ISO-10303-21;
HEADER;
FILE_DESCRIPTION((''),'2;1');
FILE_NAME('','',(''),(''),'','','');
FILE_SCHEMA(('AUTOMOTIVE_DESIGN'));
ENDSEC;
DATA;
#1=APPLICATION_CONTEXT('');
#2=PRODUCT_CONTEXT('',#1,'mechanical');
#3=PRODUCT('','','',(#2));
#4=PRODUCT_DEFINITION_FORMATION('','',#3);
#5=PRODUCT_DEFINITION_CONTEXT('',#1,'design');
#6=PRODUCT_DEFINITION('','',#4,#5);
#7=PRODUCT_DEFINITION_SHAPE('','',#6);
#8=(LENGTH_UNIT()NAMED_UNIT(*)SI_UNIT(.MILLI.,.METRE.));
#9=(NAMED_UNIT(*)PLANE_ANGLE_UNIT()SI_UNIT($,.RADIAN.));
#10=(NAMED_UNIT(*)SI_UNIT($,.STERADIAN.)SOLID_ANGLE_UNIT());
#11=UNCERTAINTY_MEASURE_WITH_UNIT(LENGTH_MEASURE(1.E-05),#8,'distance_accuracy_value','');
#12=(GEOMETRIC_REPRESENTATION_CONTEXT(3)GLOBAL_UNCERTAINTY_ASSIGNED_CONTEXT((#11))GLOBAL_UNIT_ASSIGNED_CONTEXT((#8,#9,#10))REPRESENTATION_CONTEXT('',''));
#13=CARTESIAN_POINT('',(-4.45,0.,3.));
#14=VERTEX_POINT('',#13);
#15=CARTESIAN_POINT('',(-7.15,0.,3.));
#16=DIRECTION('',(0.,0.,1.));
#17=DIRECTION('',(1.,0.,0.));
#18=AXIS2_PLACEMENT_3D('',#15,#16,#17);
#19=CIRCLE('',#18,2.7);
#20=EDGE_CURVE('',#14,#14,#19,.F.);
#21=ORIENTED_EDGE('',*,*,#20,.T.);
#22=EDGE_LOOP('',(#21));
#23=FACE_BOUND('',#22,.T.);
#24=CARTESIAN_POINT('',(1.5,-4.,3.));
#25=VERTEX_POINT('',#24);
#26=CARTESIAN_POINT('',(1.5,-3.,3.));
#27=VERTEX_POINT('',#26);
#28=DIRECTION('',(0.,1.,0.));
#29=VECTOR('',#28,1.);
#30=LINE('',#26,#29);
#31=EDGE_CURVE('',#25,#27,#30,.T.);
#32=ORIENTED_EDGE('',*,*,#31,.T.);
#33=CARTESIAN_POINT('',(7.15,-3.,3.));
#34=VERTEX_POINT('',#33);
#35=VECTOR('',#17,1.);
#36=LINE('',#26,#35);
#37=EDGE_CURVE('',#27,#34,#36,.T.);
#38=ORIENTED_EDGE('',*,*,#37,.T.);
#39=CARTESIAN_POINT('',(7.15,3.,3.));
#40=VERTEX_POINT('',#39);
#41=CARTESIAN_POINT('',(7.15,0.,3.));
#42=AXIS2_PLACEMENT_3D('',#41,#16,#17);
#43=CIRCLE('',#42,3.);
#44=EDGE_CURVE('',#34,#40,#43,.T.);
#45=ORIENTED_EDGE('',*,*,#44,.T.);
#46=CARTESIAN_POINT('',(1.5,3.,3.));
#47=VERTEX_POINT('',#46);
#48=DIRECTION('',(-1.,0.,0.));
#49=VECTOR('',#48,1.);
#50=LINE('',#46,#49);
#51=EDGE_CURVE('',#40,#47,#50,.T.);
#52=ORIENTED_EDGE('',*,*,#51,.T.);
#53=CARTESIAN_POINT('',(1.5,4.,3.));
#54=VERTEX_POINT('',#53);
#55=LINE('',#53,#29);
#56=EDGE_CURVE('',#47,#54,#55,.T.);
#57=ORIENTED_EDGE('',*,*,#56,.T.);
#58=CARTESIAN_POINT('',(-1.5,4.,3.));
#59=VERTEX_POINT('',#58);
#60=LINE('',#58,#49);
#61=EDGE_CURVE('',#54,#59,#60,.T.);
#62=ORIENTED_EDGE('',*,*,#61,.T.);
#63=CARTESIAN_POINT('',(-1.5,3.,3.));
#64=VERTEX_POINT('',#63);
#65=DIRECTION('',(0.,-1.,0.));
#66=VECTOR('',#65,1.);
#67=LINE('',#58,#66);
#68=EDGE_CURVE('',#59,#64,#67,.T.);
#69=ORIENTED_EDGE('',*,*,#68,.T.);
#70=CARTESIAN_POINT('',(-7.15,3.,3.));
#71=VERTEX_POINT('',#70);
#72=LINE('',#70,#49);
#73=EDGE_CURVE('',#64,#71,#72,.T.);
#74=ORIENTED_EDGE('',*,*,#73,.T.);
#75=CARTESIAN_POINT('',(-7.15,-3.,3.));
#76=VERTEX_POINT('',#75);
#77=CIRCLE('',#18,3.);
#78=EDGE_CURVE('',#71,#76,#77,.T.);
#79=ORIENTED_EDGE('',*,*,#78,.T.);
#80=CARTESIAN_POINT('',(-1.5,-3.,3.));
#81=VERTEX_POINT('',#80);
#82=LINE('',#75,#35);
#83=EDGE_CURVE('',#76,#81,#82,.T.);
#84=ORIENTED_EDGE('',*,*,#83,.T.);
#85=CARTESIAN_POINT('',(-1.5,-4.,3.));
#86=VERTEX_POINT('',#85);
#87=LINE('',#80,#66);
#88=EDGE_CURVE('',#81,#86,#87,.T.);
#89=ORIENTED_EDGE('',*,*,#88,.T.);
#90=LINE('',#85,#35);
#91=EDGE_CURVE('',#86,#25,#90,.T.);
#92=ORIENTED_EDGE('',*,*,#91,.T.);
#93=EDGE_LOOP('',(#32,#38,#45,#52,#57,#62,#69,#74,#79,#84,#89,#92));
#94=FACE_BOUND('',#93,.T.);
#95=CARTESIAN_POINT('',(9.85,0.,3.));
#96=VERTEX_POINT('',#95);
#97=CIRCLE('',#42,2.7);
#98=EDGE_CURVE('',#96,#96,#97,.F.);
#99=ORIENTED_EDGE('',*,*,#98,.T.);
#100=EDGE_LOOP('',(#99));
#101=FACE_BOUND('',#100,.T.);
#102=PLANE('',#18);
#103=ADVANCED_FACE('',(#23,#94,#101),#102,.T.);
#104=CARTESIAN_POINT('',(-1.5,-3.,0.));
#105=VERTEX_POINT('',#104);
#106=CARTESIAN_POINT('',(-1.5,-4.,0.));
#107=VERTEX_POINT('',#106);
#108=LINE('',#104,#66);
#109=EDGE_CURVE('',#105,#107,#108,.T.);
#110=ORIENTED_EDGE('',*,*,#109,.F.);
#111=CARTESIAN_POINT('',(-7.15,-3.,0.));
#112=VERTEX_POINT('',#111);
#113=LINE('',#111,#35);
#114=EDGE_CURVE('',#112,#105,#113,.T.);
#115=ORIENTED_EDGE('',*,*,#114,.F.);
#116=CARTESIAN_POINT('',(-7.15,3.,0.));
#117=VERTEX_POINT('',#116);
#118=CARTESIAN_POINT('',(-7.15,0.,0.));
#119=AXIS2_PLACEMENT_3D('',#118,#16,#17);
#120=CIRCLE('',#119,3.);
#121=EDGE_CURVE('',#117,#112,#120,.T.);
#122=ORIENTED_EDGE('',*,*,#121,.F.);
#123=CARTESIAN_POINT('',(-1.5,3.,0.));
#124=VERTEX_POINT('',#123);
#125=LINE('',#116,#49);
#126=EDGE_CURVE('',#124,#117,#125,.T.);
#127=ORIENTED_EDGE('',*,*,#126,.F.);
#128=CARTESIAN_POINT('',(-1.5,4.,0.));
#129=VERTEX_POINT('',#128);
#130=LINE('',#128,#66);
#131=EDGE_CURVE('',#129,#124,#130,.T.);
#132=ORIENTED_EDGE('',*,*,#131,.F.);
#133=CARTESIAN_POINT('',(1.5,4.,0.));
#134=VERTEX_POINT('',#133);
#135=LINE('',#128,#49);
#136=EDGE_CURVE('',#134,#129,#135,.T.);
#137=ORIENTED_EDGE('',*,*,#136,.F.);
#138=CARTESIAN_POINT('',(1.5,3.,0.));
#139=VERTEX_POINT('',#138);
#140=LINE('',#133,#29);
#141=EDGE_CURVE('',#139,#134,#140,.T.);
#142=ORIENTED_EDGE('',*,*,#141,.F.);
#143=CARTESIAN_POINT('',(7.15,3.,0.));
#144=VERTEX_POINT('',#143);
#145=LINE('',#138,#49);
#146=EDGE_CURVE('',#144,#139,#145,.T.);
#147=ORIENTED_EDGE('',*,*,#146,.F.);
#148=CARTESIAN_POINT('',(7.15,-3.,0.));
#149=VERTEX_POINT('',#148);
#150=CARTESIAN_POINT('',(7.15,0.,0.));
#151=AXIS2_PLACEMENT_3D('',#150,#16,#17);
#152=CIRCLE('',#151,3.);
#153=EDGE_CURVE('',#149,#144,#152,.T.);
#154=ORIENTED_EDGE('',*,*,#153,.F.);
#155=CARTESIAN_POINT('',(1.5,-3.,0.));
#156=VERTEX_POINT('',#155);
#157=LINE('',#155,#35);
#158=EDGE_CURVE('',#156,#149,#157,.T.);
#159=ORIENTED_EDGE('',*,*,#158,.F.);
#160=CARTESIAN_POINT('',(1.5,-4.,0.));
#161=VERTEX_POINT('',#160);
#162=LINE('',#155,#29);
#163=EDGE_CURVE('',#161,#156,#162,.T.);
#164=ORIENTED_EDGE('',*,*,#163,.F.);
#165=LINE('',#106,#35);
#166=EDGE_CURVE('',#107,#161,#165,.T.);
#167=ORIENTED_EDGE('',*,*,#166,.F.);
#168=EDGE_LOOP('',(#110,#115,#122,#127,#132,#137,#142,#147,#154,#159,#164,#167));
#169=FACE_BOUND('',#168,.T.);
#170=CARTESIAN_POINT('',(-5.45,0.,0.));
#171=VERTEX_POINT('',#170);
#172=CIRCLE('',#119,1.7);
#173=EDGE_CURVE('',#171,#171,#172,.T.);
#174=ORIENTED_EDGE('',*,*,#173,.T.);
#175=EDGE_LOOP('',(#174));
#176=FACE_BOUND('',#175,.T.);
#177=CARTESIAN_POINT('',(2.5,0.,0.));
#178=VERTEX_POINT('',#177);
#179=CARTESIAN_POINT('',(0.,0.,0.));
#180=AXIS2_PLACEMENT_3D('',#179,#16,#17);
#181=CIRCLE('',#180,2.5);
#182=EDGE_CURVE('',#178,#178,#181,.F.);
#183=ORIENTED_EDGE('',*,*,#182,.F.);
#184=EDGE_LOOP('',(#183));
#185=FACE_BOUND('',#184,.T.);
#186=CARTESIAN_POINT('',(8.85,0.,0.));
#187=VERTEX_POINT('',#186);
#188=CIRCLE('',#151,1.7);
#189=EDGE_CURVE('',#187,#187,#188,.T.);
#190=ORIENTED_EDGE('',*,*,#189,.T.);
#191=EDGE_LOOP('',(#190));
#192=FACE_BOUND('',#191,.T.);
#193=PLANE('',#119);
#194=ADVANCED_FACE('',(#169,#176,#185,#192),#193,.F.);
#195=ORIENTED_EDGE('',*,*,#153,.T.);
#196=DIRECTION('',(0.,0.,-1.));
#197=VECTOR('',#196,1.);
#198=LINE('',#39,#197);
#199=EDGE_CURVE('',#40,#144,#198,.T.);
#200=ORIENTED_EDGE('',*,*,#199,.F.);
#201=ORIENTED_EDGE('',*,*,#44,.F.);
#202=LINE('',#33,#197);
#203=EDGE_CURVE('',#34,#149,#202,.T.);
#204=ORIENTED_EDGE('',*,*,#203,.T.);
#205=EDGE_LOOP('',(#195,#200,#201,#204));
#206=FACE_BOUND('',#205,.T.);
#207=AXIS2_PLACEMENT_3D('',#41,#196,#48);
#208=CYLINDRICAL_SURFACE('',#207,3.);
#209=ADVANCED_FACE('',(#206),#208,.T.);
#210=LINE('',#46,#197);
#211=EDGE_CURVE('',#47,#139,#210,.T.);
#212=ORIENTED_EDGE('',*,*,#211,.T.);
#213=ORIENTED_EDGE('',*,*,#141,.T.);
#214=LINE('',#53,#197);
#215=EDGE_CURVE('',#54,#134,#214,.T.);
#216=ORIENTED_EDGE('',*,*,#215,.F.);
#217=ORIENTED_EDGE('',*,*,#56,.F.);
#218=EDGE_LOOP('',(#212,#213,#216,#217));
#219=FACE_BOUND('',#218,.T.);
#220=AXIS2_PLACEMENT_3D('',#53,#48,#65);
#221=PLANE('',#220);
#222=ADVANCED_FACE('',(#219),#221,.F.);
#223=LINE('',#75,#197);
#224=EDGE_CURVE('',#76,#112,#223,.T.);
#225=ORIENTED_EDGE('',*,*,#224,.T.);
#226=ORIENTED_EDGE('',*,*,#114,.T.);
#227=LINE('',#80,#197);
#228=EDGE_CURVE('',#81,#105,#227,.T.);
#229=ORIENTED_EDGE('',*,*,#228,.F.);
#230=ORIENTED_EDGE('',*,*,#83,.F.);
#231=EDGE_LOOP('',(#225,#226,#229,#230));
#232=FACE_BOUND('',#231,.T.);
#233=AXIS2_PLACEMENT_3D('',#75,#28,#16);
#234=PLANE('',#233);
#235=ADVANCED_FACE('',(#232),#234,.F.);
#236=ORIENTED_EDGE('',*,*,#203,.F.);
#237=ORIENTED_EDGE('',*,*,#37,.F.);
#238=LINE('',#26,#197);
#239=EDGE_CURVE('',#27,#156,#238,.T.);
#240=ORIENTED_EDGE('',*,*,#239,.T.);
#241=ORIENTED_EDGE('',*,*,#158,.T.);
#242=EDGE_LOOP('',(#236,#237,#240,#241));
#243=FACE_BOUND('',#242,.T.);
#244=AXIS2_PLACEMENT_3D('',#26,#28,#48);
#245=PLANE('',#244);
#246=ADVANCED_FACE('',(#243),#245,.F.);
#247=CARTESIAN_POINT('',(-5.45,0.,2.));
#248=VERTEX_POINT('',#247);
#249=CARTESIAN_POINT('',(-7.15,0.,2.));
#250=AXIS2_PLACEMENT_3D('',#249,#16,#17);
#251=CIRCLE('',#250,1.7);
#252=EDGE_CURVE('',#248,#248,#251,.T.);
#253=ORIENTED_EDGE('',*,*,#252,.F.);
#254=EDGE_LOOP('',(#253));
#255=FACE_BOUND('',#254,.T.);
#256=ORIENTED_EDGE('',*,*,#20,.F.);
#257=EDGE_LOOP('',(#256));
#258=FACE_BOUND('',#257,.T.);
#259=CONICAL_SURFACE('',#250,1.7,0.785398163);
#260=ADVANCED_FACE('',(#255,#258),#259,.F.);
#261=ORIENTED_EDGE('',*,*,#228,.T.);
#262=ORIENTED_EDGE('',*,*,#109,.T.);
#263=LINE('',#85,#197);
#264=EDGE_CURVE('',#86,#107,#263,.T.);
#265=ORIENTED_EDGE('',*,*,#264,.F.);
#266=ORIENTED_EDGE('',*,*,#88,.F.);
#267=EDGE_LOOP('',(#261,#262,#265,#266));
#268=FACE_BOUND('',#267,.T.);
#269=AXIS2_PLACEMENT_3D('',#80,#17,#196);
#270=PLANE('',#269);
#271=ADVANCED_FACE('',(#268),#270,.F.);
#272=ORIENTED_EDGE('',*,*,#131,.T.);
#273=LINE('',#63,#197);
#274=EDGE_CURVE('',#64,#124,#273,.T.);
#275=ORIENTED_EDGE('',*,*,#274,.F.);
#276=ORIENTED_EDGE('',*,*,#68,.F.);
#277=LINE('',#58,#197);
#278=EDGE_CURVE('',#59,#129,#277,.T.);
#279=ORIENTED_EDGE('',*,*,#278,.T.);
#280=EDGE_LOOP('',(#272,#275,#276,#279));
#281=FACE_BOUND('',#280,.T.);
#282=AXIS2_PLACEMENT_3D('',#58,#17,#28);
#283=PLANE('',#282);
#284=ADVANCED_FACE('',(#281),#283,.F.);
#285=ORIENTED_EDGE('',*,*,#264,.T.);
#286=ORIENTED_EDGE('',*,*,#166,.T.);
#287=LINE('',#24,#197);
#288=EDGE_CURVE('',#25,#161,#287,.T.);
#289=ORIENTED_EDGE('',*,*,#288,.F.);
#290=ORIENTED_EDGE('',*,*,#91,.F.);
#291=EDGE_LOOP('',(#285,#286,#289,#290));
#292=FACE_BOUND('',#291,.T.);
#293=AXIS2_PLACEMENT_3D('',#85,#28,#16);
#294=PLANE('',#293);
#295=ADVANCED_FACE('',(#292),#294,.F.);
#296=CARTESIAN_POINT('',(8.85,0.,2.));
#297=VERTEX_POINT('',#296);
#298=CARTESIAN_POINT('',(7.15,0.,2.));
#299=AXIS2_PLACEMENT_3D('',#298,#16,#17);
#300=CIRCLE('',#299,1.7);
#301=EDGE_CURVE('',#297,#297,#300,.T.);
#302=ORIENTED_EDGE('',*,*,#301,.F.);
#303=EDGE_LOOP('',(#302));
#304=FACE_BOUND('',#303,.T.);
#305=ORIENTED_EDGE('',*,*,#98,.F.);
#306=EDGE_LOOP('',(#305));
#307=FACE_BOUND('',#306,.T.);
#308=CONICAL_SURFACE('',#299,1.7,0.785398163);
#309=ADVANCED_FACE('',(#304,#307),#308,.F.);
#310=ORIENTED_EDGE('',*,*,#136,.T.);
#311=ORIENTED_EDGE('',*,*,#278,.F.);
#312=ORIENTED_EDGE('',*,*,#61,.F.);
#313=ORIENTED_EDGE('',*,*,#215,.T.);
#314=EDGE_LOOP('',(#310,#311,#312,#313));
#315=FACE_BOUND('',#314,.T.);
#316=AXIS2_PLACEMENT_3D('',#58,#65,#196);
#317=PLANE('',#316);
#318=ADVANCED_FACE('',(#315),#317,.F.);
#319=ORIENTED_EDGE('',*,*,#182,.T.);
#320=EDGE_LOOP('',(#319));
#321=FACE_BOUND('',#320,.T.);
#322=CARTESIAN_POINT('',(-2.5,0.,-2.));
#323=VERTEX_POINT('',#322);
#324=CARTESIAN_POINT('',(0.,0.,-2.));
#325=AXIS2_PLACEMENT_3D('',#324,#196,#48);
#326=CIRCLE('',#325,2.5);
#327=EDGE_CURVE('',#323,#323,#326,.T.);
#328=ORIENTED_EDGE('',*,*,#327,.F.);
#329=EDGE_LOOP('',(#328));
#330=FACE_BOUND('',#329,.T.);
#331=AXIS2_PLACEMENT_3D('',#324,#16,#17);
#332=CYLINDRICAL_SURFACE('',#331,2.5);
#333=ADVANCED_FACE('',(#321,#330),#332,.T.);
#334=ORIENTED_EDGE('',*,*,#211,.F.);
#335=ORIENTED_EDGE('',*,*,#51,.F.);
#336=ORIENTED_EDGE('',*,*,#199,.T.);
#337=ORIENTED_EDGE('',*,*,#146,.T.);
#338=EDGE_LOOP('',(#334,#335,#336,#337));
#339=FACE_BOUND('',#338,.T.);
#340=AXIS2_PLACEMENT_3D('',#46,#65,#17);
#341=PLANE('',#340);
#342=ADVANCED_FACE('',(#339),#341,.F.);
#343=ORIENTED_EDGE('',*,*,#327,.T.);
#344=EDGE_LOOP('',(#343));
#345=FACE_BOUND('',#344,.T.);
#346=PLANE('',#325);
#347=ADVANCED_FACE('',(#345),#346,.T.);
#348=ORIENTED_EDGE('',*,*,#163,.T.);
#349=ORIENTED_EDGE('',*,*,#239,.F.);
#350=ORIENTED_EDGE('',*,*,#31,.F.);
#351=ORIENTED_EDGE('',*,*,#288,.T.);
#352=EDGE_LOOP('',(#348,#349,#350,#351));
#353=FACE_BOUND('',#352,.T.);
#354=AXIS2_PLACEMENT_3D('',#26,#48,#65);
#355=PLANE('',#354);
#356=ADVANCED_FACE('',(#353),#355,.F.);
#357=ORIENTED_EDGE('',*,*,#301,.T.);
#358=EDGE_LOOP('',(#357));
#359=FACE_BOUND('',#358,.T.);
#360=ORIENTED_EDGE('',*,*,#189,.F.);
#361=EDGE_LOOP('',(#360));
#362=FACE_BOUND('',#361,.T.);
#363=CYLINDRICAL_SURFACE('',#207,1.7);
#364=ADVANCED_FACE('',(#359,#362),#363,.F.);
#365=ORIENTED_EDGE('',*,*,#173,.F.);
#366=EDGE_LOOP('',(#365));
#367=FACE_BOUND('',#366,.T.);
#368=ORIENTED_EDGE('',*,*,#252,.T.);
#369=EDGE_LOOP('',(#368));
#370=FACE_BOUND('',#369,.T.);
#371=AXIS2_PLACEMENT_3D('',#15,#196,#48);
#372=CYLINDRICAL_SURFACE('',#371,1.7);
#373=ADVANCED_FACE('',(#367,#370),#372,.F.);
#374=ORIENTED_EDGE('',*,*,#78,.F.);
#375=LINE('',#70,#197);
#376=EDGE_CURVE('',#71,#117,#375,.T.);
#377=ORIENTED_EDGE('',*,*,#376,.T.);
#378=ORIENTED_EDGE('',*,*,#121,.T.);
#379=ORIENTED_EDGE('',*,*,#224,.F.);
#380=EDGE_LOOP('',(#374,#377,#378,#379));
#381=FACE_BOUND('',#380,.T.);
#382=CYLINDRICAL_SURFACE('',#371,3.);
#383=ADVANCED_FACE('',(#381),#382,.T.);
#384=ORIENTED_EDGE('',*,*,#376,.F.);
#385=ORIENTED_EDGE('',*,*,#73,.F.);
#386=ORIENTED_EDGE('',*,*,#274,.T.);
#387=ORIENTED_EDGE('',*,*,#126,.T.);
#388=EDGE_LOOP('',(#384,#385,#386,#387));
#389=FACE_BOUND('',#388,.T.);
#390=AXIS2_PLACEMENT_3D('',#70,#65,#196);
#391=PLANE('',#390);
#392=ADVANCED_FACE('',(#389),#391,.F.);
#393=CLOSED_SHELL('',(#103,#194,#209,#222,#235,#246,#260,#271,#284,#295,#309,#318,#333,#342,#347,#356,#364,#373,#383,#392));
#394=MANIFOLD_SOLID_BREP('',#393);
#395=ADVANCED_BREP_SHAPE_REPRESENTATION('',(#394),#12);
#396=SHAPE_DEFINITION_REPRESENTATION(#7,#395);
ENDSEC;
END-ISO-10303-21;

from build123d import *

# Parameters (mm, degrees)
SKETCH1_R           = 1.7
BOSS_EXTRUDE1_DEPTH = 3
CHAMFER1_SIZE       = 1
SKETCH2_R           = 2.5
BOSS_EXTRUDE2_DEPTH = 2


with BuildPart() as part:
    # Sketch1 → Boss-Extrude1 (new body)
    with BuildSketch(Plane.XY):
        with BuildLine():
            Line((-7.15, 3), (-1.5, 3))
            Line((-1.5, 3), (-1.5, 4))
            Line((-1.5, 4), (1.5, 4))
            Line((1.5, 4), (1.5, 3))
            Line((1.5, 3), (7.15, 3))
            ThreePointArc((7.15, 3), (10.15, 0), (7.15, -3))
            Line((7.15, -3), (1.5, -3))
            Line((1.5, -3), (1.5, -4))
            Line((1.5, -4), (-1.5, -4))
            Line((-1.5, -4), (-1.5, -3))
            Line((-1.5, -3), (-7.15, -3))
            ThreePointArc((-7.15, -3), (-10.15, 0), (-7.15, 3))
        make_face()
        with Locations((-7.15, 0)):
            Circle(SKETCH1_R, mode=Mode.SUBTRACT)
        with Locations((7.15, 0)):
            Circle(SKETCH1_R, mode=Mode.SUBTRACT)
    extrude(amount=BOSS_EXTRUDE1_DEPTH)

    # Chamfer1
    chamfer1_edges = [part.edges().sort_by_distance(p)[0] for p in [
        (5.45, 0, 3),
        (-8.85, 0, 3),
    ]]
    chamfer(chamfer1_edges, length=CHAMFER1_SIZE)

    # Sketch2 → Boss-Extrude2 (add)
    with BuildSketch(Plane(origin=(0, 0, 0), x_dir=(-1, 0, 0), z_dir=(0, 0, -1))):
        with Locations(Location((0, 0, 0), (0, 0, 180))):
            Circle(SKETCH2_R)
    extrude(amount=BOSS_EXTRUDE2_DEPTH)


solid = part.part
